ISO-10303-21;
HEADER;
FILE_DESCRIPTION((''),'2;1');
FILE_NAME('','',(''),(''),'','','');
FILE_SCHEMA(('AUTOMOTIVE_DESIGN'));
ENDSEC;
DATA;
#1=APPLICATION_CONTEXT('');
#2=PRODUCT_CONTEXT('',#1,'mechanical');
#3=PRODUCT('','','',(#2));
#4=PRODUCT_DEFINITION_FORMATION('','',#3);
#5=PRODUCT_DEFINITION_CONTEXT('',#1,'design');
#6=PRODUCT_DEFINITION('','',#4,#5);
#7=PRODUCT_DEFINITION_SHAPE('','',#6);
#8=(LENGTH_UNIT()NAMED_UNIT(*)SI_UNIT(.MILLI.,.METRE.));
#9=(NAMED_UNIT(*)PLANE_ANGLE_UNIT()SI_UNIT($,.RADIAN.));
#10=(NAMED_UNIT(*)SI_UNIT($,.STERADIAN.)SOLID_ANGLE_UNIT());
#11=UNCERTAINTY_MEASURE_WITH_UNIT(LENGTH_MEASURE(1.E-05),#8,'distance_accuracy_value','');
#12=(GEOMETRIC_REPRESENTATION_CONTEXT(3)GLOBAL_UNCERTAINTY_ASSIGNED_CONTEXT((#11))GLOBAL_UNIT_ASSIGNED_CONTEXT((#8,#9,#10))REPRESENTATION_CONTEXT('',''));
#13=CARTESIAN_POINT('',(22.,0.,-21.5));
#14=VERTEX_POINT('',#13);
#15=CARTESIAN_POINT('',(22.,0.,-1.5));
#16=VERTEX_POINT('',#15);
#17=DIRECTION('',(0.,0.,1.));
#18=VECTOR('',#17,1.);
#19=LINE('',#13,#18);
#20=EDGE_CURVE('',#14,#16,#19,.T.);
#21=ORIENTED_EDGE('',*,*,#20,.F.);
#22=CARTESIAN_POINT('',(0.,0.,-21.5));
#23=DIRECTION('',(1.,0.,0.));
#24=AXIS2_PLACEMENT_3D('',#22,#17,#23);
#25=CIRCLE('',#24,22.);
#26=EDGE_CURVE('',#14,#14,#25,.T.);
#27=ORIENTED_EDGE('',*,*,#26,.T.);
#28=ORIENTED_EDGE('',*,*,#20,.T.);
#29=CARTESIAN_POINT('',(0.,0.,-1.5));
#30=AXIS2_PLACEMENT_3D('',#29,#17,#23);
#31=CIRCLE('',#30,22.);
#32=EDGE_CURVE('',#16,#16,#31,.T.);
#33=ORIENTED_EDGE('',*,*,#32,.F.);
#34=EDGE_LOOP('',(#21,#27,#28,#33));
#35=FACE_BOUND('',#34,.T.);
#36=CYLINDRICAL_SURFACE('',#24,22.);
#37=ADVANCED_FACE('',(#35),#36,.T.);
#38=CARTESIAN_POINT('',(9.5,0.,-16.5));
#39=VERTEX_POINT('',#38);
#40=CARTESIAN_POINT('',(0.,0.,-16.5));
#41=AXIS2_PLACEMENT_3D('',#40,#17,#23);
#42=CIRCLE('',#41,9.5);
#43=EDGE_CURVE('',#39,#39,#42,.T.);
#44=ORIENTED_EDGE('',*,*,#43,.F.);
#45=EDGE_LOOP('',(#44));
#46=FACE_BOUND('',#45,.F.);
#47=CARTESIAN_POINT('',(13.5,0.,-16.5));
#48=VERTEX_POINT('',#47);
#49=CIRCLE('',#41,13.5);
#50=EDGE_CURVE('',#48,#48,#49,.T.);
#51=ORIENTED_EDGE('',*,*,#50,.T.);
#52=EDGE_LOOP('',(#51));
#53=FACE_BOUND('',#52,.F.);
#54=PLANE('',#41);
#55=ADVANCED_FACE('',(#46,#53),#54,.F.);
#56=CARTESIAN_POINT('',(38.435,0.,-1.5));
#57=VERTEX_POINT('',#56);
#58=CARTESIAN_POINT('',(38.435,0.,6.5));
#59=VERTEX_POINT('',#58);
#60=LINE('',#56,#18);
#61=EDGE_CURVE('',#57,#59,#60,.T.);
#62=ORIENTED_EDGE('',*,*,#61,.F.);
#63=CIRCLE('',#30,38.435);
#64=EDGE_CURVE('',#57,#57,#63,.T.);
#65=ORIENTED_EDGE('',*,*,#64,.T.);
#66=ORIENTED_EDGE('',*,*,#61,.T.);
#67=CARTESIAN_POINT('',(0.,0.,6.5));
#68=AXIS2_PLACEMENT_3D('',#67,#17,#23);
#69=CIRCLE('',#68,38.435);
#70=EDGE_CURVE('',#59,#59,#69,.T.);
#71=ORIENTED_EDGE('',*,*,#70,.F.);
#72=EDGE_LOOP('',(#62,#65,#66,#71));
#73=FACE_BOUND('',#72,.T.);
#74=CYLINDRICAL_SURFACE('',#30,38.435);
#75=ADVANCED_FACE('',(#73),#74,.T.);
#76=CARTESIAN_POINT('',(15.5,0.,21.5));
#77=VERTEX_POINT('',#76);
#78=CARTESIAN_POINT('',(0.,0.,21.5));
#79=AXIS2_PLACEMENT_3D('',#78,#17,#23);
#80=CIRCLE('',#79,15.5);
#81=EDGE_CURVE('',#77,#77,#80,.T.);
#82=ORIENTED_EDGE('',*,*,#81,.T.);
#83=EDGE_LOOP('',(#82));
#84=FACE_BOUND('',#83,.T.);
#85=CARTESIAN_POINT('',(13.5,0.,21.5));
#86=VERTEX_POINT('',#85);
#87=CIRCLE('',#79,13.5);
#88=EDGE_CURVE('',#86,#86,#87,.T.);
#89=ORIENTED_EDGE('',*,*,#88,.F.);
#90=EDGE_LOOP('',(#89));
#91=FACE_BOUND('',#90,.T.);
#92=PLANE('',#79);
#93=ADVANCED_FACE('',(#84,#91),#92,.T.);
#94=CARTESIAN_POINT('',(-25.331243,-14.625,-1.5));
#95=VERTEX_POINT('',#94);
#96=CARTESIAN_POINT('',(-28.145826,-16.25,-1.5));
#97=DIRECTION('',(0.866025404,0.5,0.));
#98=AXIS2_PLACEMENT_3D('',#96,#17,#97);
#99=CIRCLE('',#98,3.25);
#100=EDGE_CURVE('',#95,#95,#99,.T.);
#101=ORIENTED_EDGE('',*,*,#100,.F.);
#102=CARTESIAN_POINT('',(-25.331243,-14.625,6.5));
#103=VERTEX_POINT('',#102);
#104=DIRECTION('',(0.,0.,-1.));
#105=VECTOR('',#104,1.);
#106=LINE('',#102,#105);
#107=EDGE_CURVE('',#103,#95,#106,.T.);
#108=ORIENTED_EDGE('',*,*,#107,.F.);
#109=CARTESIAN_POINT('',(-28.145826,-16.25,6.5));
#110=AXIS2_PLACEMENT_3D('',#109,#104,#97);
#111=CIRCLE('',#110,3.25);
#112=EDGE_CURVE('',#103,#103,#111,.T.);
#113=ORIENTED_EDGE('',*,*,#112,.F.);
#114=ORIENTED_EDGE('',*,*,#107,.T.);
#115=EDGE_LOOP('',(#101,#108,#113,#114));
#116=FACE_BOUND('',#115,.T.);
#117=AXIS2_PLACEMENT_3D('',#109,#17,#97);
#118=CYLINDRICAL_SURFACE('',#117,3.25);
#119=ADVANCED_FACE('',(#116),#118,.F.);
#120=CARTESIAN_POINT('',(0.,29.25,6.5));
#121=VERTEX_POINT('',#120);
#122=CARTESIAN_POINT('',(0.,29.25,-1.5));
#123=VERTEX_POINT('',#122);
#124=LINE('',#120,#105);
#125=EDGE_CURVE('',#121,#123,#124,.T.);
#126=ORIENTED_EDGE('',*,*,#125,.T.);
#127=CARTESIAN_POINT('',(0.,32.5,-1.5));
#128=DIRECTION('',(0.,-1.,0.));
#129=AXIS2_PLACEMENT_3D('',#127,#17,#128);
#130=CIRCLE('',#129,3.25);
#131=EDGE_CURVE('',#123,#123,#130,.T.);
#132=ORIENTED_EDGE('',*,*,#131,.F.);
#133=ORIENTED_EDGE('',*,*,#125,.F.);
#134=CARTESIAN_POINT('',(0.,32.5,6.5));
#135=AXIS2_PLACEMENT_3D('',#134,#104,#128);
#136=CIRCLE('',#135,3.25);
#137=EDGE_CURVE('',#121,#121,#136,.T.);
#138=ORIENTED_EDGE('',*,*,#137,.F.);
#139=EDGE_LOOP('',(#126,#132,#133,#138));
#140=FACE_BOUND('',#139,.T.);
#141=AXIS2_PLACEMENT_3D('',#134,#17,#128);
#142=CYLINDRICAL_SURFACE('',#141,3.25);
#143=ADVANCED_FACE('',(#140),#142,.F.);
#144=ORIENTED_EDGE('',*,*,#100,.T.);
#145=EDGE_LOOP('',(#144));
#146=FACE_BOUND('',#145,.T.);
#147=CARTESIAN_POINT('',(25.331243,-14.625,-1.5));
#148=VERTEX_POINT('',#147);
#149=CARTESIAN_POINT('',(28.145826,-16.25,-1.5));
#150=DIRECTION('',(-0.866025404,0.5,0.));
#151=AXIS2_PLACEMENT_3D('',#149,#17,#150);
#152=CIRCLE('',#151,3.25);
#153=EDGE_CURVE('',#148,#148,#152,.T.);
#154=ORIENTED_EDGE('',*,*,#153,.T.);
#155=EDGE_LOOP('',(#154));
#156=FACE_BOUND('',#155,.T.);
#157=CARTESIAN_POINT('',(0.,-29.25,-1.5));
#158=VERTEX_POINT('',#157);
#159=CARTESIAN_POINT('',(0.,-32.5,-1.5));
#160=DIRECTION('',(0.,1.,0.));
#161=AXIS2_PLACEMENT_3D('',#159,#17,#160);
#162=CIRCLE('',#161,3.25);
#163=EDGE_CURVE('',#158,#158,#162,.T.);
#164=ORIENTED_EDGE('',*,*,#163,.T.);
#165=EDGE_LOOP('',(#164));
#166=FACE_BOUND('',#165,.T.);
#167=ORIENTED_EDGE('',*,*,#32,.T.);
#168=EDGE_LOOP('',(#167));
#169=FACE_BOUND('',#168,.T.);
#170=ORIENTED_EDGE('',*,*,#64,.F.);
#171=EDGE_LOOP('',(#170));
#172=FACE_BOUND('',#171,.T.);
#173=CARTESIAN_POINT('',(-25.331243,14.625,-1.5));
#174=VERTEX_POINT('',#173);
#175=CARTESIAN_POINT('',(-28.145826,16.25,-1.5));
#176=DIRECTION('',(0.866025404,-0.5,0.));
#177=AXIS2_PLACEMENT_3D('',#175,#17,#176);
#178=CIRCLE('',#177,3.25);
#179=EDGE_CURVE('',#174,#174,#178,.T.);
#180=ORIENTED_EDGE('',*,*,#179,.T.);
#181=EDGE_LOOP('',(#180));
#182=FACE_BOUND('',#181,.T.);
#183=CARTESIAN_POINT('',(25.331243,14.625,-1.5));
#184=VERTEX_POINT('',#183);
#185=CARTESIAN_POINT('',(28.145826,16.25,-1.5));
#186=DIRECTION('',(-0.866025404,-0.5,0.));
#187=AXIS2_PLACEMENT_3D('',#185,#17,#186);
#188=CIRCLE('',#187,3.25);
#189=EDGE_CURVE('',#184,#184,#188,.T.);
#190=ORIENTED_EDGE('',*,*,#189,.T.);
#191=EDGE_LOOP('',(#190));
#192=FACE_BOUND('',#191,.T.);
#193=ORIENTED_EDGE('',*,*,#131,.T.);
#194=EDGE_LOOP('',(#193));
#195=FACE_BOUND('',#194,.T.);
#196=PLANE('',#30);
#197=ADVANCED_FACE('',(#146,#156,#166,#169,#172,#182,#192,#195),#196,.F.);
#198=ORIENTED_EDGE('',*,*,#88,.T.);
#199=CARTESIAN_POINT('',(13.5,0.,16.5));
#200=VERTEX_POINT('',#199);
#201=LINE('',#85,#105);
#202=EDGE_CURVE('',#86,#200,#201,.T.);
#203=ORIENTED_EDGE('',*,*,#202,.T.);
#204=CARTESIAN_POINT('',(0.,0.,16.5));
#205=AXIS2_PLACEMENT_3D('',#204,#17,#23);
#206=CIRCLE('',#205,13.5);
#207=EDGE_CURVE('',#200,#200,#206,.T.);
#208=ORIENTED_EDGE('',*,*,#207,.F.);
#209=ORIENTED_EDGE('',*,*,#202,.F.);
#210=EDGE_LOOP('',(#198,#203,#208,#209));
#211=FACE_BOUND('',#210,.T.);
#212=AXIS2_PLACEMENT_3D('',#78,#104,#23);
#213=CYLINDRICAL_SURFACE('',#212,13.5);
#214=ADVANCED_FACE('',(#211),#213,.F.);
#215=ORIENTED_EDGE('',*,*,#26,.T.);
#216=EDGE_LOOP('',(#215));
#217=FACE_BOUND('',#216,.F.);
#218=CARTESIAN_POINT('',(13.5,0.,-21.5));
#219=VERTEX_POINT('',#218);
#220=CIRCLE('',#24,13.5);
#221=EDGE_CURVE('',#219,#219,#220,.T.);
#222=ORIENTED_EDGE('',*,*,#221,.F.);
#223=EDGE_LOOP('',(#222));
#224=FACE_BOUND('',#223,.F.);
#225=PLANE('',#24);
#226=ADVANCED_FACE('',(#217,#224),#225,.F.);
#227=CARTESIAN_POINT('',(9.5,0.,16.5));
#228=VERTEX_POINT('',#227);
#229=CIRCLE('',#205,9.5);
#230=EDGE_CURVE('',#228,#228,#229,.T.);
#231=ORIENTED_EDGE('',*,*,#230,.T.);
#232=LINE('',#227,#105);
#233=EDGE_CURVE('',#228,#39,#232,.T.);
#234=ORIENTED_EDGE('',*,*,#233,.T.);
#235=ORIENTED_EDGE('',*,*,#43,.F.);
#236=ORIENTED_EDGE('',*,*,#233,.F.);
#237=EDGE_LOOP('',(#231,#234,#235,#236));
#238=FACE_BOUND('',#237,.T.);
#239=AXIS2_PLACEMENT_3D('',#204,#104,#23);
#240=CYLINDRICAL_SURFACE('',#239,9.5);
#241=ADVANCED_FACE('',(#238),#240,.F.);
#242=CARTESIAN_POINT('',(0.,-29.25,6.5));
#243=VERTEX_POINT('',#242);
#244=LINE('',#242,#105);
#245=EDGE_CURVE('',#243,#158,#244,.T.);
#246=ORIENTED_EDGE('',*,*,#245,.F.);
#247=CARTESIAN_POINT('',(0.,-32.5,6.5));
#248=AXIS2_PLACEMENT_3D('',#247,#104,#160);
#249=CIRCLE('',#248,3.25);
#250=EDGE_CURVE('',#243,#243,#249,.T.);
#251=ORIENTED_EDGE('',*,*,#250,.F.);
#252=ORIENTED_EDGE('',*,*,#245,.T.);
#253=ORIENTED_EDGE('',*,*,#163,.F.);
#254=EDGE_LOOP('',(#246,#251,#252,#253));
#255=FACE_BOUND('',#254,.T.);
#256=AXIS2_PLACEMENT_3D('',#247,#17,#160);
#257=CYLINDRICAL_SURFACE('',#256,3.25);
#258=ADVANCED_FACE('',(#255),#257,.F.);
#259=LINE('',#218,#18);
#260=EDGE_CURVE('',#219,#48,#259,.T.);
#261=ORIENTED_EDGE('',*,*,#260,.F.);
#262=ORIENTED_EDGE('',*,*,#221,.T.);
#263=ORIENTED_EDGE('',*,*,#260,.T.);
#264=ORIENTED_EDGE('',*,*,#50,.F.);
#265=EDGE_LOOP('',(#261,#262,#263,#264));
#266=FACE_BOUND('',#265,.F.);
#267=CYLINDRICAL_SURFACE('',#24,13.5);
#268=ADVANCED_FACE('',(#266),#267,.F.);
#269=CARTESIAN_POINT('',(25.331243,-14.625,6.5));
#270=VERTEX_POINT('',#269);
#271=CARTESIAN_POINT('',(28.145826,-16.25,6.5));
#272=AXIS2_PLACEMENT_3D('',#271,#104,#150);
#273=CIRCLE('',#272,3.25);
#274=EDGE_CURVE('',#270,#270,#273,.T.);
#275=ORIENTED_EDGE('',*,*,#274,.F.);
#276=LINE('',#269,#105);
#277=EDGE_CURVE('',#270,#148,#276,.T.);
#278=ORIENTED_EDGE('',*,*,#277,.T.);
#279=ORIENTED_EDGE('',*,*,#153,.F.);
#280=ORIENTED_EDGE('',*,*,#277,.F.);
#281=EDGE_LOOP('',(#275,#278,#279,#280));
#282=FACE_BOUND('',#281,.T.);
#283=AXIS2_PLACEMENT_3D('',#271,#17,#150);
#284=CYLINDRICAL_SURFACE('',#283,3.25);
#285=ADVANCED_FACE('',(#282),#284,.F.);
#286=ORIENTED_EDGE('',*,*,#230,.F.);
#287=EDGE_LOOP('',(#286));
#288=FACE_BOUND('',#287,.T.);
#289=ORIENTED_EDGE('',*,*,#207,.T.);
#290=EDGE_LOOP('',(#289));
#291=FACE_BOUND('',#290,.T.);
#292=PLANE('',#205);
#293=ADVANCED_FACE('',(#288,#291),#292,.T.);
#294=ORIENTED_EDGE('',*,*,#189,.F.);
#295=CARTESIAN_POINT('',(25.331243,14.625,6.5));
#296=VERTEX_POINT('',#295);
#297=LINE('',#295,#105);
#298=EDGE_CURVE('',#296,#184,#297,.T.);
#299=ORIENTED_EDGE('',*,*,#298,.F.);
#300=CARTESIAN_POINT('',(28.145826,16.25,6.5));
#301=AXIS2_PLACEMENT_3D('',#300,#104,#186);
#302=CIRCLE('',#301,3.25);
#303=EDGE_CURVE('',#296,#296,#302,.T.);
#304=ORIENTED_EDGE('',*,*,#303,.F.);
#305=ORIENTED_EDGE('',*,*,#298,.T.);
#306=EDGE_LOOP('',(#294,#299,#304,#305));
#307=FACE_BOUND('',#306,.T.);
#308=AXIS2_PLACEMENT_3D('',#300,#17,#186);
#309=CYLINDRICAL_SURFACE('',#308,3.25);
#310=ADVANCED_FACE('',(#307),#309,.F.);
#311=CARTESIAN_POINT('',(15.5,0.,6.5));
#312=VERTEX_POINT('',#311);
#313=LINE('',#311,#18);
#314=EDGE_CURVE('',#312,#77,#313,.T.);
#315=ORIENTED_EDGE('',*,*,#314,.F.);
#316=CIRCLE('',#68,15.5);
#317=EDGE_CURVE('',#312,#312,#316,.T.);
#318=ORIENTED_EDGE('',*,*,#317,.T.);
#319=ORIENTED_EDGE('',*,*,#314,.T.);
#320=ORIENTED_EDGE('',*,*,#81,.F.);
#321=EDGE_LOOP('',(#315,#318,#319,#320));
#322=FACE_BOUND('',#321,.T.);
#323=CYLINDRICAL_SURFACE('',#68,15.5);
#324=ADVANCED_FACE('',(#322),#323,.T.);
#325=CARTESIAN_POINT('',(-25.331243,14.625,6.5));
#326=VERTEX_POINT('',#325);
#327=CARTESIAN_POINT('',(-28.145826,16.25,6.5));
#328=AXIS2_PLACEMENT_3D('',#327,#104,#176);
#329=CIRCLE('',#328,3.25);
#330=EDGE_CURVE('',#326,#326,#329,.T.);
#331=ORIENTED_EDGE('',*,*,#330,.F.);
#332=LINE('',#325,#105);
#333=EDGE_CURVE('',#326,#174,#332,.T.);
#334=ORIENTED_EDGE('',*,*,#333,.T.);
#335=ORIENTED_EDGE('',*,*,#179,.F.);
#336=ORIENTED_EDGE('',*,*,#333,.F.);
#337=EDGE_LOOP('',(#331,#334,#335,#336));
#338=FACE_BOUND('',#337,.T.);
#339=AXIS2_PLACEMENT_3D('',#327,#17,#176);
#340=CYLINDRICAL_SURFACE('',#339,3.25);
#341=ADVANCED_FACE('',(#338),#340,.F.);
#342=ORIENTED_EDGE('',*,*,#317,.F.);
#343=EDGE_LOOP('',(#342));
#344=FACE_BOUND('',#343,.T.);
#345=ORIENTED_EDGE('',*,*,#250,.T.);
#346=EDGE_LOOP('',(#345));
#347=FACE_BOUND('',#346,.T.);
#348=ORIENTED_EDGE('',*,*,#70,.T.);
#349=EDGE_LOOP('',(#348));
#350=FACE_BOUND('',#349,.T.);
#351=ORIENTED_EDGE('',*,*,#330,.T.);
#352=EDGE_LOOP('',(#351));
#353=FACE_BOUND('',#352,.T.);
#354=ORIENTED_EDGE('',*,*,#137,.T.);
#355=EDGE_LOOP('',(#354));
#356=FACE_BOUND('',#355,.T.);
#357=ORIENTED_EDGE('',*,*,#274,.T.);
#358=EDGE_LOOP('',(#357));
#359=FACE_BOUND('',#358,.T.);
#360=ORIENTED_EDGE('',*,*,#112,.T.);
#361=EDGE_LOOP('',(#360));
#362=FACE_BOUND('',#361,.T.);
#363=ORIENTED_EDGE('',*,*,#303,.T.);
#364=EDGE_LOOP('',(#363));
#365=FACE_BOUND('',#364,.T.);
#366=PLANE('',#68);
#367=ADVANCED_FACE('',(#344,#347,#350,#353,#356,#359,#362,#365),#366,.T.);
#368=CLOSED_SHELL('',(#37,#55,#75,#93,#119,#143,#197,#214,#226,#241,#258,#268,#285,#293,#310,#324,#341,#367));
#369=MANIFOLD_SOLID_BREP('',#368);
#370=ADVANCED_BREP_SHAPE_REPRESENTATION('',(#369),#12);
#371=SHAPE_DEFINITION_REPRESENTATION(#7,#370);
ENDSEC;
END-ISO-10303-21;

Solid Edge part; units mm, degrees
sketch "Sketch1" plane through (0, 0, 0) normal (0, -1, 0) x (1, 0, 0)
  line L0 (9.5, 16.5) -> (9.5, -16.5)
  line L1 (13.5, -16.5) -> (9.5, -16.5)
  line L2 (13.5, -21.5) -> (13.5, -16.5)
  line L3 (22, -21.5) -> (13.5, -21.5)
  line L4 (22, -21.5) -> (22, -1.5)
  line L5 (22, -1.5) -> (38.435, -1.5)
  line L6 (38.435, -1.5) -> (38.435, 6.5)
  line L7 (38.435, 6.5) -> (15.5, 6.5)
  line L8 (15.5, 6.5) -> (15.5, 21.5)
  line L9 (15.5, 21.5) -> (13.5, 21.5)
  line L10 (13.5, 21.5) -> (13.5, 16.5)
  line L11 (13.5, 16.5) -> (9.5, 16.5)
  dimension "D1" = 8
  dimension "D2" = 15
  dimension "D3" = 9.5
  dimension "D4" = 13.5
  dimension "D5" = 15.5
  dimension "D6" = 38.435
  dimension "D7" = 22
  dimension "D8" = 43
  dimension "D9" = 5
  dimension "D10" = 13.5
  dimension "D11" = 5
revolve "RevolvedProtrusion1" add sketch "Sketch1" angle 360 about axis through (0, 0, 0) along (0, 0, 1)
hole "Hole1" at (0, 32.5, 6.5) direction (0, 0, -1) diameter 6.5 end up to next
pattern_circular "Pattern1" count 6 over 360 about axis through (0, 0, 6.5) along (0, 0, -1) of "Hole1"
